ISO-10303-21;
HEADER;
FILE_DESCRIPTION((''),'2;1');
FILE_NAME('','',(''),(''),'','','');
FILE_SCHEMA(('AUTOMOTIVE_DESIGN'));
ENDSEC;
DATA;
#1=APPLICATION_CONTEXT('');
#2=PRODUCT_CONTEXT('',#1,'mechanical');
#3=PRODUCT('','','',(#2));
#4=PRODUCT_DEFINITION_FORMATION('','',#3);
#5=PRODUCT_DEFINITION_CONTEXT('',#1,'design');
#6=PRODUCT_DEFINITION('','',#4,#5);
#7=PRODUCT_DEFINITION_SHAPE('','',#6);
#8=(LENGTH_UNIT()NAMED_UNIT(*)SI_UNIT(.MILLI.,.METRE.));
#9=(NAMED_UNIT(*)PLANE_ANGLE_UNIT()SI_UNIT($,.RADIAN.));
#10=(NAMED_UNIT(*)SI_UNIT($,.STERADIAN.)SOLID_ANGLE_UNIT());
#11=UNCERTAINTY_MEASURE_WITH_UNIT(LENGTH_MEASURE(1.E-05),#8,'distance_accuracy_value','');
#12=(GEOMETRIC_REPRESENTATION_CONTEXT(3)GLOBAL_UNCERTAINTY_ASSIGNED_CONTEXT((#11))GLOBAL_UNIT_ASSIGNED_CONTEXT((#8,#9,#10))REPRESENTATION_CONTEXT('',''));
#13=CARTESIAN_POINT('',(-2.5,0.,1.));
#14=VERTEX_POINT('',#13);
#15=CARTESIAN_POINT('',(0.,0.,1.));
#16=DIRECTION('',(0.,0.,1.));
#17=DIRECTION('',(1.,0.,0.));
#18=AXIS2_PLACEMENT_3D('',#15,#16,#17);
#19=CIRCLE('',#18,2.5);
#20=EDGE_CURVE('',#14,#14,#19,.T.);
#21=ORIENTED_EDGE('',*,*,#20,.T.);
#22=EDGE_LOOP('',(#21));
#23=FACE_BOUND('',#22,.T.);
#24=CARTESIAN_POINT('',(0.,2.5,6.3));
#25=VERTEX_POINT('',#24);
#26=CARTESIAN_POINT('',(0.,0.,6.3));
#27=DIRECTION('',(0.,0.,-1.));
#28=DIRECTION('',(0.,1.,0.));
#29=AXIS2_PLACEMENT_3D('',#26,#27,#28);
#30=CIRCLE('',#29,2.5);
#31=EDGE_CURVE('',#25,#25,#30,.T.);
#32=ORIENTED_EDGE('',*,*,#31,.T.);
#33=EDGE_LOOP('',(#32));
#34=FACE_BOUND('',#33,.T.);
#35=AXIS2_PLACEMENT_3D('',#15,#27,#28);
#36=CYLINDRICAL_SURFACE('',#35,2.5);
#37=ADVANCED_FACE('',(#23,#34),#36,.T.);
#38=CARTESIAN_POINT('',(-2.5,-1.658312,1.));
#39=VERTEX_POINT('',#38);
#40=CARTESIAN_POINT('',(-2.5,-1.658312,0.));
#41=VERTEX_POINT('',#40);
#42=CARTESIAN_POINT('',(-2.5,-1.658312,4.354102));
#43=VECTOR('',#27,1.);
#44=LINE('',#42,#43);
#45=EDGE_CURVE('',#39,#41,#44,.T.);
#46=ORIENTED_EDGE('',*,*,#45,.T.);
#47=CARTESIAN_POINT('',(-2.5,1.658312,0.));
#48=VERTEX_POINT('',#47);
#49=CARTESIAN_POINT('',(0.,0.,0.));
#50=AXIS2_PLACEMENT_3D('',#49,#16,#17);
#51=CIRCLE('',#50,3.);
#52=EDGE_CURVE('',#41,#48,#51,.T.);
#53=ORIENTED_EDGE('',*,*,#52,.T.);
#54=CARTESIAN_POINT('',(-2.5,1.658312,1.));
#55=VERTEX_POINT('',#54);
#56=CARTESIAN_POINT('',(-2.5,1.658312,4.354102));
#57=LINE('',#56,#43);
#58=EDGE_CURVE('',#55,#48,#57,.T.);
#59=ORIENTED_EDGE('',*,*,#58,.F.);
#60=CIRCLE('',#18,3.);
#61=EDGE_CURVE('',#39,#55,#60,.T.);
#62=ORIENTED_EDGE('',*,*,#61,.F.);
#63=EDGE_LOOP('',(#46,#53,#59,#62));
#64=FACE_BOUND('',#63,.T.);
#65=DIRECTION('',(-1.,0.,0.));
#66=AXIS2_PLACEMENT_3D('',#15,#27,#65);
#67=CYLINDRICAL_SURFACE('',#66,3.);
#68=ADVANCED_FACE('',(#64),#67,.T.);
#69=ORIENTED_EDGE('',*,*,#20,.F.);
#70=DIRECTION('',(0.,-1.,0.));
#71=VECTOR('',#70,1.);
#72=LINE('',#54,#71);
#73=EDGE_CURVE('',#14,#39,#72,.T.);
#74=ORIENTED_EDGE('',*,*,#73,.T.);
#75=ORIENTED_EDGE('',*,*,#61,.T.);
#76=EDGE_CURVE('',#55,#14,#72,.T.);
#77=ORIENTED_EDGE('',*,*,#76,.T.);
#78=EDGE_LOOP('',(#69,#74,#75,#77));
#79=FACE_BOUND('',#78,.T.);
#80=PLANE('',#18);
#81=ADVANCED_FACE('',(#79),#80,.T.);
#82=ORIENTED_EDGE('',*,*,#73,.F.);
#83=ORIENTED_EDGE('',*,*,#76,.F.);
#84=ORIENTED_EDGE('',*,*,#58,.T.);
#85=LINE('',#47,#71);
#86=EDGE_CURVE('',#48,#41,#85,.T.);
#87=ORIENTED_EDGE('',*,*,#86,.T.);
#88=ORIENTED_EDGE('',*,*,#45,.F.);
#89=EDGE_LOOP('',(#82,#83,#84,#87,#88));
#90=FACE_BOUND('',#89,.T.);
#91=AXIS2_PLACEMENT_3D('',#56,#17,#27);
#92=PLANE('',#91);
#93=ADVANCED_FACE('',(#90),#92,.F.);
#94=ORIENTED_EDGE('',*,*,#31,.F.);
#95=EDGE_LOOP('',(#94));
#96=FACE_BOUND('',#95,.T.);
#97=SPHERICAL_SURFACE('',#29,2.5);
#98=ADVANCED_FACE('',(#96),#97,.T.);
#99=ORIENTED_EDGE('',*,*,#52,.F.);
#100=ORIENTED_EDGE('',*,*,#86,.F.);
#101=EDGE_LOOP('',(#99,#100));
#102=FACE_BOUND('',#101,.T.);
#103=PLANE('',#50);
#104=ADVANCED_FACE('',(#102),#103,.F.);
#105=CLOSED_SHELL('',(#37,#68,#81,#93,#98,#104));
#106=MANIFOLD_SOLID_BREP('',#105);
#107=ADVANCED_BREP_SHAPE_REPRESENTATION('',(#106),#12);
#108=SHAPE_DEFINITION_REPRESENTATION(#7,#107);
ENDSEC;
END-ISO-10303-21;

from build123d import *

# Parameters (mm, degrees)
ESBO_O1_R                = 3
RESSALTO_EXTRUS_O1_DEPTH = 1
CORTE_EXTRUS_O1_DEPTH    = 1


with BuildPart() as part:
    # Esboço1 → Ressalto-extrusão1 (new body)
    with BuildSketch(Plane.XY):
        Circle(ESBO_O1_R)
    extrude(amount=RESSALTO_EXTRUS_O1_DEPTH)

    # Esboço3 → Revolução1 (revolve)
    with BuildSketch(Plane(origin=(0, 0, 0), x_dir=(0, 0, -1), z_dir=(1, 0, 0))):
        with BuildLine():
            Line((-1, 0), (-8.8, 0))
            ThreePointArc((-8.8, 0), (-8.067766953, 1.767766953), (-6.3, 2.5))
            Line((-6.3, 2.5), (-1, 2.5))
            Line((-1, 2.5), (-1, 0))
        make_face()
    revolve(axis=Axis((0, 0, 1), (0, 0, 1)))

    # Esboço4 → Corte-extrusão1 (cut)
    with BuildSketch(Plane(origin=(0, 0, 0), x_dir=(-1, 0, 0), z_dir=(0, 0, -1))):
        with BuildLine():
            Line((2.5, 1.658312395), (2.5, -1.658312395))
            ThreePointArc((2.5, -1.658312395), (3, 0), (2.5, 1.658312395))
        make_face()
    extrude(amount=-CORTE_EXTRUS_O1_DEPTH, mode=Mode.SUBTRACT)


solid = part.part
